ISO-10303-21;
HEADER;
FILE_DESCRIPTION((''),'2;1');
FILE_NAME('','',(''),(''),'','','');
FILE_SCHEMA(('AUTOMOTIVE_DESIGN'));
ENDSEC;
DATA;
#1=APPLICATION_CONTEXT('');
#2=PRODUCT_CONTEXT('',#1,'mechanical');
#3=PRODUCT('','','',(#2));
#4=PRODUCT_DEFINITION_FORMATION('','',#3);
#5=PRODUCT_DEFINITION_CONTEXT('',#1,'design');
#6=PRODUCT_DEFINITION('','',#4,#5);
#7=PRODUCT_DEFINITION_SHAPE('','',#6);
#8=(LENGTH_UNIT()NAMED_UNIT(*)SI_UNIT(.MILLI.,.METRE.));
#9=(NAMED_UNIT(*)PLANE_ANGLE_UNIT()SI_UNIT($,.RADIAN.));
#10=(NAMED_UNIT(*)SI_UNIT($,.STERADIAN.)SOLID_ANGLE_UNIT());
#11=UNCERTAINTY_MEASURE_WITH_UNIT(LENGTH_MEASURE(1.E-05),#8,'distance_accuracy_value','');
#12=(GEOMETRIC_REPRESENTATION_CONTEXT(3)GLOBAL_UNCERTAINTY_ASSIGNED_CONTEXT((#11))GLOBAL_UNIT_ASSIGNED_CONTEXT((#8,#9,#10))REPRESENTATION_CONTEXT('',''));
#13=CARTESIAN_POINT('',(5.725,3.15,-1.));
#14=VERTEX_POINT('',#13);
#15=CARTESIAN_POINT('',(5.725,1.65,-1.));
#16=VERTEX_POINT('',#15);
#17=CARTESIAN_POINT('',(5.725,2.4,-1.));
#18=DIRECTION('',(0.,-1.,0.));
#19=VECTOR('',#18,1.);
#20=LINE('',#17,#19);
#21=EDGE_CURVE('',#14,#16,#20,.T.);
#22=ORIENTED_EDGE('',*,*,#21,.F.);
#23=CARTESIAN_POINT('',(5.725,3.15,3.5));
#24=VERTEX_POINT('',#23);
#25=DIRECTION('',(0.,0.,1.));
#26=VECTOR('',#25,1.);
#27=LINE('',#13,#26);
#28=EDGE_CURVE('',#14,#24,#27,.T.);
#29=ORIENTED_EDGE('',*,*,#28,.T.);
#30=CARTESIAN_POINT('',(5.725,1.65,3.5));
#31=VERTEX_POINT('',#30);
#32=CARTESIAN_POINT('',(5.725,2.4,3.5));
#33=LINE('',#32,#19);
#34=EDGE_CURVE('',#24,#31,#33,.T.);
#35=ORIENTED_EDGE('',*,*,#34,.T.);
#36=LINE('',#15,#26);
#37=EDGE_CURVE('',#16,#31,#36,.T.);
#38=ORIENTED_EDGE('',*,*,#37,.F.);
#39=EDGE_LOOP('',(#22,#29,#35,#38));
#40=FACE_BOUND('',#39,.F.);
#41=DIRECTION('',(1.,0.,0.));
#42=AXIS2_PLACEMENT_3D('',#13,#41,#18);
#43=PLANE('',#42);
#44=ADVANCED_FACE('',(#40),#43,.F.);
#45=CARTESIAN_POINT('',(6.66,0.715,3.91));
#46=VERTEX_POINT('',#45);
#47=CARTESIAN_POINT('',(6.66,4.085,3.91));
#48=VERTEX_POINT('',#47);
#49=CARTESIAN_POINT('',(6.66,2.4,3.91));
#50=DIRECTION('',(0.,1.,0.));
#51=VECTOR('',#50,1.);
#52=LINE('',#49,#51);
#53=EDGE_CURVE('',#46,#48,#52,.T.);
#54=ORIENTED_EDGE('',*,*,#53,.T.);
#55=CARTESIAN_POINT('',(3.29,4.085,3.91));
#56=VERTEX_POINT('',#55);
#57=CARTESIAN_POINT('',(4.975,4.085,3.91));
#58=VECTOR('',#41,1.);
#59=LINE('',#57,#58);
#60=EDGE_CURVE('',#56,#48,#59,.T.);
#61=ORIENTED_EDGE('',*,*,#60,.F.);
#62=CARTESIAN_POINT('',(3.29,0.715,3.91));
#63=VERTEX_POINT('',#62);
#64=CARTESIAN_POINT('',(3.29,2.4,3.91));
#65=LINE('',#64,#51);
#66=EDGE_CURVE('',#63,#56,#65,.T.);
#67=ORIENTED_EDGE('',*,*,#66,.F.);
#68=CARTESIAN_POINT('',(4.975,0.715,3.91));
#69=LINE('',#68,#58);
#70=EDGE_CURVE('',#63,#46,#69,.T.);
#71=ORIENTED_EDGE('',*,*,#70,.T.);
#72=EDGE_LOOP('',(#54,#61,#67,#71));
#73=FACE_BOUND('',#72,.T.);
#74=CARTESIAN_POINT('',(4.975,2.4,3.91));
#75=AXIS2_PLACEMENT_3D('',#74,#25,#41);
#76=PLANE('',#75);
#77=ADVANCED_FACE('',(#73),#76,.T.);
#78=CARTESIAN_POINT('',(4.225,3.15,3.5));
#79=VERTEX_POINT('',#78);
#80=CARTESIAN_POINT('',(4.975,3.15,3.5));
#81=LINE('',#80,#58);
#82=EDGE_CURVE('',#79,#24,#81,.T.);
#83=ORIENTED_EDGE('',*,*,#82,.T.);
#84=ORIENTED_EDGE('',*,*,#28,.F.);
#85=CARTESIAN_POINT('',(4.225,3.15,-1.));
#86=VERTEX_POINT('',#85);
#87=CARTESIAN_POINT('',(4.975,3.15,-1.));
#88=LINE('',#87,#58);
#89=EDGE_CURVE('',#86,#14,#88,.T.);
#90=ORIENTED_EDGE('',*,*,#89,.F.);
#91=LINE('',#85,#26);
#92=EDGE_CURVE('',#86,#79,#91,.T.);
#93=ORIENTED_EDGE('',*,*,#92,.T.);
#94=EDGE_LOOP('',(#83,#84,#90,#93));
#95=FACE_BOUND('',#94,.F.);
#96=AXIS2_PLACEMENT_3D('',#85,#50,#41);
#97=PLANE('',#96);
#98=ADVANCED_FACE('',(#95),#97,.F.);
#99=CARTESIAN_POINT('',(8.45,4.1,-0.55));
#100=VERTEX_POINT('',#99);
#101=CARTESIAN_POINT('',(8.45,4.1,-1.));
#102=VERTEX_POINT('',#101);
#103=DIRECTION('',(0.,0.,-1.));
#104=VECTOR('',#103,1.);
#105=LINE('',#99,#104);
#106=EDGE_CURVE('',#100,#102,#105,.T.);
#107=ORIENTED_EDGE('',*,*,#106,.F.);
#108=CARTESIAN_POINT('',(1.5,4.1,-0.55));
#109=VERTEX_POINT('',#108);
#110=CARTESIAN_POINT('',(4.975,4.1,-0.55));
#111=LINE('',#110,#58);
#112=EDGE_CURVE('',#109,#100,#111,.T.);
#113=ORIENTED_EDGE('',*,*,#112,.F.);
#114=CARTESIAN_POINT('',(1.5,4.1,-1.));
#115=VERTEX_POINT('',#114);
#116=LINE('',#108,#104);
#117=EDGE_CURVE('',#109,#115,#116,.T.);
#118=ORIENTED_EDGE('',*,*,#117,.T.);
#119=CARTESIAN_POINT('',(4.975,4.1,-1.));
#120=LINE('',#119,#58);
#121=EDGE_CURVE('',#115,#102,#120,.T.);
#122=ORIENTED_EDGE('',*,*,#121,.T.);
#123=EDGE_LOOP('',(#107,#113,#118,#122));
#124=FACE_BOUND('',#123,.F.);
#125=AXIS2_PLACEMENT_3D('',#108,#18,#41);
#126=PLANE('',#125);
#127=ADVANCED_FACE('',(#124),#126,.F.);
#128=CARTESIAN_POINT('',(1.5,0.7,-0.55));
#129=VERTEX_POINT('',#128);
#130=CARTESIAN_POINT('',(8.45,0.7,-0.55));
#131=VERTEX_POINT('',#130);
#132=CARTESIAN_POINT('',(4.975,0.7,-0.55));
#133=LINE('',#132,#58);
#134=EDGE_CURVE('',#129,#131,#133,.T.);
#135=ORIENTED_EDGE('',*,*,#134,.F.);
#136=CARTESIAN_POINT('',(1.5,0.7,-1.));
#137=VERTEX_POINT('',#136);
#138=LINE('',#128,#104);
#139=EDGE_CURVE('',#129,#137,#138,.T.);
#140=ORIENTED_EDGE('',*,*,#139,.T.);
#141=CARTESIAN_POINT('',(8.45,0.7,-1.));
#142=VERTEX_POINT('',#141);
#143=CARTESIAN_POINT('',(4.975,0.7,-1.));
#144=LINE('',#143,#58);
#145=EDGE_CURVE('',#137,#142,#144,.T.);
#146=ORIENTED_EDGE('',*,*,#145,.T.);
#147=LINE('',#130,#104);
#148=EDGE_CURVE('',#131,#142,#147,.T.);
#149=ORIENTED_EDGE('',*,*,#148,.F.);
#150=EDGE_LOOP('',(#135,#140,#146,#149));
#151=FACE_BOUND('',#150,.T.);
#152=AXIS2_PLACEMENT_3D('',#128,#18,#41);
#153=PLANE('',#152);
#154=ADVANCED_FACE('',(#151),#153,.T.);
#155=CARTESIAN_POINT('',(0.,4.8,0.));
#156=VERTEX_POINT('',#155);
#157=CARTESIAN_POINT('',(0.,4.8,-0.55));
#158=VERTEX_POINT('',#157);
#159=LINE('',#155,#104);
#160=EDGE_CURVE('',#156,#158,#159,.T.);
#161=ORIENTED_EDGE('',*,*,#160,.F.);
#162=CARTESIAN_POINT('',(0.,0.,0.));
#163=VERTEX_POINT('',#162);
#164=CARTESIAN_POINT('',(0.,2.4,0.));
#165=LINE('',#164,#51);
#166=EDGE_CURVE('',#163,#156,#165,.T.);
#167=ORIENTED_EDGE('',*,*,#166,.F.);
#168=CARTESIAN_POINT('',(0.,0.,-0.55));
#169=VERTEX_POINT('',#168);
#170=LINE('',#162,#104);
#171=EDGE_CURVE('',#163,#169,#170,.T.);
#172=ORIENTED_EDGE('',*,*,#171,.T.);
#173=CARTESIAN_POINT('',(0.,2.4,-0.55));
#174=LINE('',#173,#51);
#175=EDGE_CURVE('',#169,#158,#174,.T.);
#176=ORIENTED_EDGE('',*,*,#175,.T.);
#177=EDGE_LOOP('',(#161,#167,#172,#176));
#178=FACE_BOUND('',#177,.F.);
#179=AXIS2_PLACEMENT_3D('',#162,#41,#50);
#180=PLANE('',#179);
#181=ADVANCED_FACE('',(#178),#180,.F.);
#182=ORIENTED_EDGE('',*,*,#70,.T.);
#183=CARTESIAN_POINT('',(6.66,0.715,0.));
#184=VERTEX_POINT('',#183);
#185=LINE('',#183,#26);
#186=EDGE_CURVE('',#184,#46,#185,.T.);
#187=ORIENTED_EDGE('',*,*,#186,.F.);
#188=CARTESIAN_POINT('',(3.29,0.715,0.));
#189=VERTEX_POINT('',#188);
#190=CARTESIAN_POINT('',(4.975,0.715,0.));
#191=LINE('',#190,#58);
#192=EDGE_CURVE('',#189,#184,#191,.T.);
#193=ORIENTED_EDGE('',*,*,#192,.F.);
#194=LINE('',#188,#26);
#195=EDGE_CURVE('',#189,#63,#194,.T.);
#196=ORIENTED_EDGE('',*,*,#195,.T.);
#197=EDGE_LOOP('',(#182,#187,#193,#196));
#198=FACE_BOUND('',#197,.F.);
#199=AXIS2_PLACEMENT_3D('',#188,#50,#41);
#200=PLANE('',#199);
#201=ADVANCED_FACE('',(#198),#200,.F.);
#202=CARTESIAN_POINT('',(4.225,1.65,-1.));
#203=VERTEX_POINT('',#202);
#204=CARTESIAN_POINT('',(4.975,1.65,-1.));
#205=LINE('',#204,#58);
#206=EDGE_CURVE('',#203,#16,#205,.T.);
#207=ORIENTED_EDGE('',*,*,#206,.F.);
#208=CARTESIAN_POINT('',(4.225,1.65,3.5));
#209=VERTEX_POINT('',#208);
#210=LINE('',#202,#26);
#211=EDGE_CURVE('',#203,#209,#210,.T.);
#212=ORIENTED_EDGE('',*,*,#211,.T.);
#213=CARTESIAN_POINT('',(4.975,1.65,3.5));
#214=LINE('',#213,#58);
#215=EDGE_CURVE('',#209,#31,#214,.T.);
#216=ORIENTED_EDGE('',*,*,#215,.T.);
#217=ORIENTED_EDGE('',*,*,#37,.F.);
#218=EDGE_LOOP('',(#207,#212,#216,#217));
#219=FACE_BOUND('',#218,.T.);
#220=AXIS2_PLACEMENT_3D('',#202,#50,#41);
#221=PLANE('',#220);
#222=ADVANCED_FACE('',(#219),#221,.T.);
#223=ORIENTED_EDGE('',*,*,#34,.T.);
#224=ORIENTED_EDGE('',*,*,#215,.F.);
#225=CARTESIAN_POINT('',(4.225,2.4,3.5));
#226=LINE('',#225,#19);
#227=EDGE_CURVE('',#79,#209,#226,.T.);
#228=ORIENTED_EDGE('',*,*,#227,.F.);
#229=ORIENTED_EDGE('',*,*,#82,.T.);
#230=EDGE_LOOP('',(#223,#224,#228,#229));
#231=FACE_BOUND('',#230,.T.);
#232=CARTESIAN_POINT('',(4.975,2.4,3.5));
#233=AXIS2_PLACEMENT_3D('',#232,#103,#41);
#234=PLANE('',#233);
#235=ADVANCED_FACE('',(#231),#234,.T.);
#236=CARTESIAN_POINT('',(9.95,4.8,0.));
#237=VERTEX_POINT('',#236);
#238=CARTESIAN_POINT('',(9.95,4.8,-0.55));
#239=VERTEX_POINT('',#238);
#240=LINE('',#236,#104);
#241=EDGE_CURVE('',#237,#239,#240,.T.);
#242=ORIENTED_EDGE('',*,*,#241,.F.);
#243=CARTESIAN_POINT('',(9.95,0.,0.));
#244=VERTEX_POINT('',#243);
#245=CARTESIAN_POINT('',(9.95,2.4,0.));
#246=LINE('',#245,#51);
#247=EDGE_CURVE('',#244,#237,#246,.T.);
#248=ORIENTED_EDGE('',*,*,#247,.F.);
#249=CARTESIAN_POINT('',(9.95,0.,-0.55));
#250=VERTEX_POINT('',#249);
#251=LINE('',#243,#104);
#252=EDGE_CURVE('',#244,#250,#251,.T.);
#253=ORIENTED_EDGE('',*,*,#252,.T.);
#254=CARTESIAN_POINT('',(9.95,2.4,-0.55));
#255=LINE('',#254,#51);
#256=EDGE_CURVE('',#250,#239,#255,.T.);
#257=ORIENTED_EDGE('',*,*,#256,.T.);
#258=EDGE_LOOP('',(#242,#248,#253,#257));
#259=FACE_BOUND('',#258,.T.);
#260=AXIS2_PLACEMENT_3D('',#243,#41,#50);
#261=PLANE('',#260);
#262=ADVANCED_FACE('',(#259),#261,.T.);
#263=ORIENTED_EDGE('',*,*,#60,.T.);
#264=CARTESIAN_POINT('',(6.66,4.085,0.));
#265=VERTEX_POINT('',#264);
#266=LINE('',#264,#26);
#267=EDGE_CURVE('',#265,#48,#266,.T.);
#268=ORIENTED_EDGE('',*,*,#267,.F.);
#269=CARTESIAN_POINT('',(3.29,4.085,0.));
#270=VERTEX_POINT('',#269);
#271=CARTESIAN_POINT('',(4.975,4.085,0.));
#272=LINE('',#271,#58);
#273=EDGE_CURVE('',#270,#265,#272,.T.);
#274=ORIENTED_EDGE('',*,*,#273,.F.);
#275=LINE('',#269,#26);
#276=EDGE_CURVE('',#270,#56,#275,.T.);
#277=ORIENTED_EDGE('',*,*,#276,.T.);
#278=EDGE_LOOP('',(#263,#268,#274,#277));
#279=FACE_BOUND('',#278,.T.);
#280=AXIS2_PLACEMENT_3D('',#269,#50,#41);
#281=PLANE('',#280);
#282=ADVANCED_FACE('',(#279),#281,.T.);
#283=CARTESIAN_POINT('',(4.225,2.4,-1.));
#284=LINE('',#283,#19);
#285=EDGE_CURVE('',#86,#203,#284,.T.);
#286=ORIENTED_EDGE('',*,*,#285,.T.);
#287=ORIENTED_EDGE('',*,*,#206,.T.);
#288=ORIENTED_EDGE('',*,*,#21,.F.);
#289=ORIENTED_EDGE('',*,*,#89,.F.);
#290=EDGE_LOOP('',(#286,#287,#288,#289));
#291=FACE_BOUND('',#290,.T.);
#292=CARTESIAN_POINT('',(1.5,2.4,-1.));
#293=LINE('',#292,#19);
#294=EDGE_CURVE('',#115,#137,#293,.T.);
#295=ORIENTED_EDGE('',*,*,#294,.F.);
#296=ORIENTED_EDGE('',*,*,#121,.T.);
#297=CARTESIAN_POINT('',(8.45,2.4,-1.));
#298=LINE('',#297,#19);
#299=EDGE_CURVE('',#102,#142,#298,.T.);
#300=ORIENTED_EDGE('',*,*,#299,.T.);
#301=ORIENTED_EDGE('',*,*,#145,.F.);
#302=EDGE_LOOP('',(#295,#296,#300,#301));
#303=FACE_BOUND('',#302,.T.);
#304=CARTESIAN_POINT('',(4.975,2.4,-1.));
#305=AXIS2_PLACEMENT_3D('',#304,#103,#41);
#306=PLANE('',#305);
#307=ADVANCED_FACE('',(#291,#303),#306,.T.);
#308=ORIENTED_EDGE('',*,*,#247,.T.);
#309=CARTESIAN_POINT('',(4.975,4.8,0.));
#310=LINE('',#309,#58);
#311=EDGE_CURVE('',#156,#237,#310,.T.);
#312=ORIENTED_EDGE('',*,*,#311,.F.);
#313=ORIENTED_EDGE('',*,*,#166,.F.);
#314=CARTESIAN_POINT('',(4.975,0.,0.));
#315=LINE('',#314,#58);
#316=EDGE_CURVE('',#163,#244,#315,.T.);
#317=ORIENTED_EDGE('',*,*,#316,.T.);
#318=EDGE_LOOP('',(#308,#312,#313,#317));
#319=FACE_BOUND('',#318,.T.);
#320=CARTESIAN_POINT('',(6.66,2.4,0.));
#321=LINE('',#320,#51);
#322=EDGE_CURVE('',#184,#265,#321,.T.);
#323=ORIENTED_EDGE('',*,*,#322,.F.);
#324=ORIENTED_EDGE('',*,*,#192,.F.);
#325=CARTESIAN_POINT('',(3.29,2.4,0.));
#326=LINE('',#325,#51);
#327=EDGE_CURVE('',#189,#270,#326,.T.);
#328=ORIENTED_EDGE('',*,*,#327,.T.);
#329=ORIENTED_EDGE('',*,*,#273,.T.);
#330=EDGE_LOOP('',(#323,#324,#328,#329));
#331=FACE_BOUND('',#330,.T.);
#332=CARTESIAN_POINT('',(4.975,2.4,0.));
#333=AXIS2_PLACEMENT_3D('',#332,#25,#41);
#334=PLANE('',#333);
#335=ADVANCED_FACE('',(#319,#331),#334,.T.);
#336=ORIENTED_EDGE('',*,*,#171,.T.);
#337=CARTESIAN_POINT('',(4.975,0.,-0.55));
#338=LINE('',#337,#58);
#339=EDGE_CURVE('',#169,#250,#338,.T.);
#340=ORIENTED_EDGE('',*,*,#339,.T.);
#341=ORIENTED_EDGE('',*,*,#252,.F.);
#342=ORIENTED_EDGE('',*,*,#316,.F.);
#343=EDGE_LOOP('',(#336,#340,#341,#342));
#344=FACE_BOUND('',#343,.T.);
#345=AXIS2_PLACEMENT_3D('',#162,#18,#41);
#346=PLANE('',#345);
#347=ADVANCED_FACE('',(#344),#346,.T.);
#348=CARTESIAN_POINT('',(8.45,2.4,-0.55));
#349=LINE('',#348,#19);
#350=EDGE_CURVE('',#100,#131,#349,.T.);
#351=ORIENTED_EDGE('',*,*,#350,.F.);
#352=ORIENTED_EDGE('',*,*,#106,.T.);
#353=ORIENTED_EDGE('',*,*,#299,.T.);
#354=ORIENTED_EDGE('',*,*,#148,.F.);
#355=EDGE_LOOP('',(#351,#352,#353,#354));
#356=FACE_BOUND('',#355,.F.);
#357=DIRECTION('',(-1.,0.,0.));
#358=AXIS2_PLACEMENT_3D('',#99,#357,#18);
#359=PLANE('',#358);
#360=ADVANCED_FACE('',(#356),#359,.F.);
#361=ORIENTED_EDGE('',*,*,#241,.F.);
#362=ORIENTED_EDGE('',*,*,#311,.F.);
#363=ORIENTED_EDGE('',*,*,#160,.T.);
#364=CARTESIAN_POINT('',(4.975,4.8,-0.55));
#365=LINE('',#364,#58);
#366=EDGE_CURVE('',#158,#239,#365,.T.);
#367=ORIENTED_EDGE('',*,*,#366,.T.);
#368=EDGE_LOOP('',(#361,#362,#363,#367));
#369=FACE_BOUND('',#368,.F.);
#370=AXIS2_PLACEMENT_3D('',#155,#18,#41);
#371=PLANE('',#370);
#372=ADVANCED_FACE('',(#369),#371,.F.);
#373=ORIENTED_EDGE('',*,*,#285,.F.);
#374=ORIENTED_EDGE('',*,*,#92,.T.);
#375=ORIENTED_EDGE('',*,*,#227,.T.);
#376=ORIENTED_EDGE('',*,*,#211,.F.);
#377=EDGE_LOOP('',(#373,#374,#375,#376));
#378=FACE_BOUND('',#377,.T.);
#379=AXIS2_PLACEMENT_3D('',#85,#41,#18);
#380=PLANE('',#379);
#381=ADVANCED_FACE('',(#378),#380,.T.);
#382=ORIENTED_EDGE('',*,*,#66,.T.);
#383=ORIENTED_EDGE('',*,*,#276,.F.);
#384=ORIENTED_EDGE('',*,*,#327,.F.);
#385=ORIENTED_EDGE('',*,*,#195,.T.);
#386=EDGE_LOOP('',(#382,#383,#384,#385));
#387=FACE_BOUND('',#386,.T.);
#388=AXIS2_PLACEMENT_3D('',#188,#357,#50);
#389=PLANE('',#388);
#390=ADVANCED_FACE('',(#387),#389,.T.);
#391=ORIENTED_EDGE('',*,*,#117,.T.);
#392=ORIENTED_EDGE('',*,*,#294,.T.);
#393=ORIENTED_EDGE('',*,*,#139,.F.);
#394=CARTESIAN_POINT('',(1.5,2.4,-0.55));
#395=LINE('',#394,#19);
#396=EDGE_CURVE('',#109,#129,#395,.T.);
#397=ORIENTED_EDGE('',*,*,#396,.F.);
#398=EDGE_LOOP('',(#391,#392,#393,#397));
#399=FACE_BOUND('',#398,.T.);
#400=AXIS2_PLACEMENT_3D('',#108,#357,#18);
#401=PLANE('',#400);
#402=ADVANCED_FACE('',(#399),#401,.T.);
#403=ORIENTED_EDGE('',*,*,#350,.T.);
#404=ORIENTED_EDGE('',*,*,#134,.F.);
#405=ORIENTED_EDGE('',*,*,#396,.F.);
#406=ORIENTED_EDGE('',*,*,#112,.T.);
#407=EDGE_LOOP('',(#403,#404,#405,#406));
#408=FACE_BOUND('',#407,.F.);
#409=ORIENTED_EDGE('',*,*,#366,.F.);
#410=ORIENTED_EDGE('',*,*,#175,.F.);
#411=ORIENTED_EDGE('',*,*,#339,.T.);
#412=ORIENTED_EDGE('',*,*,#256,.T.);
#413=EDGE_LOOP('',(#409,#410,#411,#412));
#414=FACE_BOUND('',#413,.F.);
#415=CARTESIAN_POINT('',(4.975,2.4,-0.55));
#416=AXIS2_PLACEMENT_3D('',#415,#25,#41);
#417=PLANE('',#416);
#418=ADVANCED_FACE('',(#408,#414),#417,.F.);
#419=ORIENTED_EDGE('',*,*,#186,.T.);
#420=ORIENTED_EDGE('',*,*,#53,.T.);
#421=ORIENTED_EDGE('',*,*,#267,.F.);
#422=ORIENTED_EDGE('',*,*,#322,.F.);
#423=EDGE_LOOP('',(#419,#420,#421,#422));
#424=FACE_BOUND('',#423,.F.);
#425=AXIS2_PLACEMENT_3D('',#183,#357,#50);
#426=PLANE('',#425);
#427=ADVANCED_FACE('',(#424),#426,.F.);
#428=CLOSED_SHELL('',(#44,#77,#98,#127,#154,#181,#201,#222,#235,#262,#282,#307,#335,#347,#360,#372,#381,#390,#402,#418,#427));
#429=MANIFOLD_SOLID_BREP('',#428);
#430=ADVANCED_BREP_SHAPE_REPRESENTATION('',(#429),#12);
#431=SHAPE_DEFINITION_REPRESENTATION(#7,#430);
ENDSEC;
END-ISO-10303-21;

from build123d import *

# Parameters (mm, degrees)
F0_W     = 9.95
F0_H     = 4.8
F1_DEPTH = 0.55
F2_W     = 6.95
F2_H     = 3.4
F3_DEPTH = 0.45
F4_W     = 3.37
F4_H     = 3.37
F5_DEPTH = 3.91
F6_W     = 1.5
F6_H     = 1.5
F7_DEPTH = 4.5


with BuildPart() as f1:
    # F0 (on Top) → F1 (new body)
    with BuildSketch(Plane.XY):
        with Locations((4.975, 2.4)):
            Rectangle(F0_W, F0_H)
    extrude(amount=-F1_DEPTH)

    # F2 (on face) → F3 (join)
    with BuildSketch(Plane(origin=(0, 0, -0.55), x_dir=(1, 0, 0), z_dir=(0, 0, -1))):
        with Locations((4.975, -2.4)):
            Rectangle(F2_W, F2_H)
    extrude(amount=F3_DEPTH)

    # F4 (on face) → F5 (join)
    with BuildSketch(Plane.XY):
        with Locations((4.975, 2.4)):
            Rectangle(F4_W, F4_H)
    extrude(amount=F5_DEPTH)

    # F6 (on face) → F7 (cut)
    with BuildSketch(Plane(origin=(0, 0, -1), x_dir=(1, 0, 0), z_dir=(0, 0, -1))):
        with Locations((4.975, -2.4)):
            Rectangle(F6_W, F6_H)
    extrude(amount=-F7_DEPTH, mode=Mode.SUBTRACT)


solid = f1.part
